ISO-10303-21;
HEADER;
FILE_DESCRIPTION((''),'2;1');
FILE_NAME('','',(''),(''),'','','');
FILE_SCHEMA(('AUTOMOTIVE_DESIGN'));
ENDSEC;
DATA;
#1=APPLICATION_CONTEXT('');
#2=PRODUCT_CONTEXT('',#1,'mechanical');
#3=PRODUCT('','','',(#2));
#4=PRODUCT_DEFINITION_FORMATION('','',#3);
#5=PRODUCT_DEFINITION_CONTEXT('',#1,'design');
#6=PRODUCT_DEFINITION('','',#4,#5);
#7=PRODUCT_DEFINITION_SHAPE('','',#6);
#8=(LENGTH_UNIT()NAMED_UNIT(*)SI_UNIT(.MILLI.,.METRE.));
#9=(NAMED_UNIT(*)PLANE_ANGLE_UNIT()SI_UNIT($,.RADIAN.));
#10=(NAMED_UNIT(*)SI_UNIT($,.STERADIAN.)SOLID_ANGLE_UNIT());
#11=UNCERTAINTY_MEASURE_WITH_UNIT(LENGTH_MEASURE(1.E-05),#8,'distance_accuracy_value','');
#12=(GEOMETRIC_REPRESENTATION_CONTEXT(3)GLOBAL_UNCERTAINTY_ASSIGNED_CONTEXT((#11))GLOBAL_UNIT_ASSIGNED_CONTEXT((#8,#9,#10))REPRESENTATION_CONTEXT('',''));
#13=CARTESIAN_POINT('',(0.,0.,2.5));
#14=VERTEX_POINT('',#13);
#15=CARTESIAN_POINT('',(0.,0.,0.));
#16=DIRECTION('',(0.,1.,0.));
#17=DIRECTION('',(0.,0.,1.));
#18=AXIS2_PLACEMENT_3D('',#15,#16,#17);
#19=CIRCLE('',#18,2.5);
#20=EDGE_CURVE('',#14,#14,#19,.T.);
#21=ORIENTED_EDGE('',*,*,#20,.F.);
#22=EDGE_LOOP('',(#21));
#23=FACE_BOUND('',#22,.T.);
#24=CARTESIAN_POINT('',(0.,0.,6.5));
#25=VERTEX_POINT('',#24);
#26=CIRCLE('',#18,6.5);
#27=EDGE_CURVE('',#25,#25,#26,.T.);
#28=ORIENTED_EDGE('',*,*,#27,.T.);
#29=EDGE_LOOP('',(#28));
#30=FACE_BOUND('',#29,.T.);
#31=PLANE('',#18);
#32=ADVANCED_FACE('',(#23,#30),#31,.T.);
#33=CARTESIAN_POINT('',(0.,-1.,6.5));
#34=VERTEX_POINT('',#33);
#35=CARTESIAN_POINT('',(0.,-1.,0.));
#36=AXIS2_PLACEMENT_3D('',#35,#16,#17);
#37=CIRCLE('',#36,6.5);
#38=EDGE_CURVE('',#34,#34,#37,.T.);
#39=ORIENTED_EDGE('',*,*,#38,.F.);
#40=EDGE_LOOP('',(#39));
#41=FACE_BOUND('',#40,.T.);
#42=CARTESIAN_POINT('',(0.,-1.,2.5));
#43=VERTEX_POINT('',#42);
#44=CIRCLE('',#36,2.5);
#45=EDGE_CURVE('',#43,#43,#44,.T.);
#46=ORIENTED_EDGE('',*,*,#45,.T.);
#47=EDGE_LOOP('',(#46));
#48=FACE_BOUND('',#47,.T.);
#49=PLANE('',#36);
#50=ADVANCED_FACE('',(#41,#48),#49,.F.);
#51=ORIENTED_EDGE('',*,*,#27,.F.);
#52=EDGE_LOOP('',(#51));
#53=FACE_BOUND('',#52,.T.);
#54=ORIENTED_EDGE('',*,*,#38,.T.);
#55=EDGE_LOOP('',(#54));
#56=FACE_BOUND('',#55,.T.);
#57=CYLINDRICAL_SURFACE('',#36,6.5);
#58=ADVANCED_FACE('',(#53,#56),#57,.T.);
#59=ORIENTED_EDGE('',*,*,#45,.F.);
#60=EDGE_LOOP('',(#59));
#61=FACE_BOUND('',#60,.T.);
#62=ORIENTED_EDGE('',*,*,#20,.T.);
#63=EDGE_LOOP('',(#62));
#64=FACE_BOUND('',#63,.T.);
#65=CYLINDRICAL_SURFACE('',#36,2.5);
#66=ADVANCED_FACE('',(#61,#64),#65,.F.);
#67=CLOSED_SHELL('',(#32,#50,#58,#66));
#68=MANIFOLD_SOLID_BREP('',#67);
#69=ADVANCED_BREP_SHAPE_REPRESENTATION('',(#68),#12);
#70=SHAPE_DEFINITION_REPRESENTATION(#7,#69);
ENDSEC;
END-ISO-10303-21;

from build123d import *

# Parameters (mm, degrees)
SKETCH1_R           = 6.5
SKETCH1_R_2         = 2.5
BOSS_EXTRUDE1_DEPTH = 1


with BuildPart() as part:
    # Sketch1 → Boss-Extrude1 (new body)
    with BuildSketch(Plane(origin=(0, 0, 0), x_dir=(1, 0, 0), z_dir=(0, 1, 0))):
        Circle(SKETCH1_R)
        Polygon((-2.742413779, -4.75), (2.742413779, -4.75), (5.484827557, 0), (2.742413779, 4.75), (-2.742413779, 4.75), (-5.484827557, 0), align=None, mode=Mode.SUBTRACT)
        Polygon((-5.484827557, 0), (-2.742413779, -4.75), (2.742413779, -4.75), (5.484827557, 0), (2.742413779, 4.75), (-2.742413779, 4.75), align=None)
        Circle(SKETCH1_R_2, mode=Mode.SUBTRACT)
    extrude(amount=-BOSS_EXTRUDE1_DEPTH)


solid = part.part
